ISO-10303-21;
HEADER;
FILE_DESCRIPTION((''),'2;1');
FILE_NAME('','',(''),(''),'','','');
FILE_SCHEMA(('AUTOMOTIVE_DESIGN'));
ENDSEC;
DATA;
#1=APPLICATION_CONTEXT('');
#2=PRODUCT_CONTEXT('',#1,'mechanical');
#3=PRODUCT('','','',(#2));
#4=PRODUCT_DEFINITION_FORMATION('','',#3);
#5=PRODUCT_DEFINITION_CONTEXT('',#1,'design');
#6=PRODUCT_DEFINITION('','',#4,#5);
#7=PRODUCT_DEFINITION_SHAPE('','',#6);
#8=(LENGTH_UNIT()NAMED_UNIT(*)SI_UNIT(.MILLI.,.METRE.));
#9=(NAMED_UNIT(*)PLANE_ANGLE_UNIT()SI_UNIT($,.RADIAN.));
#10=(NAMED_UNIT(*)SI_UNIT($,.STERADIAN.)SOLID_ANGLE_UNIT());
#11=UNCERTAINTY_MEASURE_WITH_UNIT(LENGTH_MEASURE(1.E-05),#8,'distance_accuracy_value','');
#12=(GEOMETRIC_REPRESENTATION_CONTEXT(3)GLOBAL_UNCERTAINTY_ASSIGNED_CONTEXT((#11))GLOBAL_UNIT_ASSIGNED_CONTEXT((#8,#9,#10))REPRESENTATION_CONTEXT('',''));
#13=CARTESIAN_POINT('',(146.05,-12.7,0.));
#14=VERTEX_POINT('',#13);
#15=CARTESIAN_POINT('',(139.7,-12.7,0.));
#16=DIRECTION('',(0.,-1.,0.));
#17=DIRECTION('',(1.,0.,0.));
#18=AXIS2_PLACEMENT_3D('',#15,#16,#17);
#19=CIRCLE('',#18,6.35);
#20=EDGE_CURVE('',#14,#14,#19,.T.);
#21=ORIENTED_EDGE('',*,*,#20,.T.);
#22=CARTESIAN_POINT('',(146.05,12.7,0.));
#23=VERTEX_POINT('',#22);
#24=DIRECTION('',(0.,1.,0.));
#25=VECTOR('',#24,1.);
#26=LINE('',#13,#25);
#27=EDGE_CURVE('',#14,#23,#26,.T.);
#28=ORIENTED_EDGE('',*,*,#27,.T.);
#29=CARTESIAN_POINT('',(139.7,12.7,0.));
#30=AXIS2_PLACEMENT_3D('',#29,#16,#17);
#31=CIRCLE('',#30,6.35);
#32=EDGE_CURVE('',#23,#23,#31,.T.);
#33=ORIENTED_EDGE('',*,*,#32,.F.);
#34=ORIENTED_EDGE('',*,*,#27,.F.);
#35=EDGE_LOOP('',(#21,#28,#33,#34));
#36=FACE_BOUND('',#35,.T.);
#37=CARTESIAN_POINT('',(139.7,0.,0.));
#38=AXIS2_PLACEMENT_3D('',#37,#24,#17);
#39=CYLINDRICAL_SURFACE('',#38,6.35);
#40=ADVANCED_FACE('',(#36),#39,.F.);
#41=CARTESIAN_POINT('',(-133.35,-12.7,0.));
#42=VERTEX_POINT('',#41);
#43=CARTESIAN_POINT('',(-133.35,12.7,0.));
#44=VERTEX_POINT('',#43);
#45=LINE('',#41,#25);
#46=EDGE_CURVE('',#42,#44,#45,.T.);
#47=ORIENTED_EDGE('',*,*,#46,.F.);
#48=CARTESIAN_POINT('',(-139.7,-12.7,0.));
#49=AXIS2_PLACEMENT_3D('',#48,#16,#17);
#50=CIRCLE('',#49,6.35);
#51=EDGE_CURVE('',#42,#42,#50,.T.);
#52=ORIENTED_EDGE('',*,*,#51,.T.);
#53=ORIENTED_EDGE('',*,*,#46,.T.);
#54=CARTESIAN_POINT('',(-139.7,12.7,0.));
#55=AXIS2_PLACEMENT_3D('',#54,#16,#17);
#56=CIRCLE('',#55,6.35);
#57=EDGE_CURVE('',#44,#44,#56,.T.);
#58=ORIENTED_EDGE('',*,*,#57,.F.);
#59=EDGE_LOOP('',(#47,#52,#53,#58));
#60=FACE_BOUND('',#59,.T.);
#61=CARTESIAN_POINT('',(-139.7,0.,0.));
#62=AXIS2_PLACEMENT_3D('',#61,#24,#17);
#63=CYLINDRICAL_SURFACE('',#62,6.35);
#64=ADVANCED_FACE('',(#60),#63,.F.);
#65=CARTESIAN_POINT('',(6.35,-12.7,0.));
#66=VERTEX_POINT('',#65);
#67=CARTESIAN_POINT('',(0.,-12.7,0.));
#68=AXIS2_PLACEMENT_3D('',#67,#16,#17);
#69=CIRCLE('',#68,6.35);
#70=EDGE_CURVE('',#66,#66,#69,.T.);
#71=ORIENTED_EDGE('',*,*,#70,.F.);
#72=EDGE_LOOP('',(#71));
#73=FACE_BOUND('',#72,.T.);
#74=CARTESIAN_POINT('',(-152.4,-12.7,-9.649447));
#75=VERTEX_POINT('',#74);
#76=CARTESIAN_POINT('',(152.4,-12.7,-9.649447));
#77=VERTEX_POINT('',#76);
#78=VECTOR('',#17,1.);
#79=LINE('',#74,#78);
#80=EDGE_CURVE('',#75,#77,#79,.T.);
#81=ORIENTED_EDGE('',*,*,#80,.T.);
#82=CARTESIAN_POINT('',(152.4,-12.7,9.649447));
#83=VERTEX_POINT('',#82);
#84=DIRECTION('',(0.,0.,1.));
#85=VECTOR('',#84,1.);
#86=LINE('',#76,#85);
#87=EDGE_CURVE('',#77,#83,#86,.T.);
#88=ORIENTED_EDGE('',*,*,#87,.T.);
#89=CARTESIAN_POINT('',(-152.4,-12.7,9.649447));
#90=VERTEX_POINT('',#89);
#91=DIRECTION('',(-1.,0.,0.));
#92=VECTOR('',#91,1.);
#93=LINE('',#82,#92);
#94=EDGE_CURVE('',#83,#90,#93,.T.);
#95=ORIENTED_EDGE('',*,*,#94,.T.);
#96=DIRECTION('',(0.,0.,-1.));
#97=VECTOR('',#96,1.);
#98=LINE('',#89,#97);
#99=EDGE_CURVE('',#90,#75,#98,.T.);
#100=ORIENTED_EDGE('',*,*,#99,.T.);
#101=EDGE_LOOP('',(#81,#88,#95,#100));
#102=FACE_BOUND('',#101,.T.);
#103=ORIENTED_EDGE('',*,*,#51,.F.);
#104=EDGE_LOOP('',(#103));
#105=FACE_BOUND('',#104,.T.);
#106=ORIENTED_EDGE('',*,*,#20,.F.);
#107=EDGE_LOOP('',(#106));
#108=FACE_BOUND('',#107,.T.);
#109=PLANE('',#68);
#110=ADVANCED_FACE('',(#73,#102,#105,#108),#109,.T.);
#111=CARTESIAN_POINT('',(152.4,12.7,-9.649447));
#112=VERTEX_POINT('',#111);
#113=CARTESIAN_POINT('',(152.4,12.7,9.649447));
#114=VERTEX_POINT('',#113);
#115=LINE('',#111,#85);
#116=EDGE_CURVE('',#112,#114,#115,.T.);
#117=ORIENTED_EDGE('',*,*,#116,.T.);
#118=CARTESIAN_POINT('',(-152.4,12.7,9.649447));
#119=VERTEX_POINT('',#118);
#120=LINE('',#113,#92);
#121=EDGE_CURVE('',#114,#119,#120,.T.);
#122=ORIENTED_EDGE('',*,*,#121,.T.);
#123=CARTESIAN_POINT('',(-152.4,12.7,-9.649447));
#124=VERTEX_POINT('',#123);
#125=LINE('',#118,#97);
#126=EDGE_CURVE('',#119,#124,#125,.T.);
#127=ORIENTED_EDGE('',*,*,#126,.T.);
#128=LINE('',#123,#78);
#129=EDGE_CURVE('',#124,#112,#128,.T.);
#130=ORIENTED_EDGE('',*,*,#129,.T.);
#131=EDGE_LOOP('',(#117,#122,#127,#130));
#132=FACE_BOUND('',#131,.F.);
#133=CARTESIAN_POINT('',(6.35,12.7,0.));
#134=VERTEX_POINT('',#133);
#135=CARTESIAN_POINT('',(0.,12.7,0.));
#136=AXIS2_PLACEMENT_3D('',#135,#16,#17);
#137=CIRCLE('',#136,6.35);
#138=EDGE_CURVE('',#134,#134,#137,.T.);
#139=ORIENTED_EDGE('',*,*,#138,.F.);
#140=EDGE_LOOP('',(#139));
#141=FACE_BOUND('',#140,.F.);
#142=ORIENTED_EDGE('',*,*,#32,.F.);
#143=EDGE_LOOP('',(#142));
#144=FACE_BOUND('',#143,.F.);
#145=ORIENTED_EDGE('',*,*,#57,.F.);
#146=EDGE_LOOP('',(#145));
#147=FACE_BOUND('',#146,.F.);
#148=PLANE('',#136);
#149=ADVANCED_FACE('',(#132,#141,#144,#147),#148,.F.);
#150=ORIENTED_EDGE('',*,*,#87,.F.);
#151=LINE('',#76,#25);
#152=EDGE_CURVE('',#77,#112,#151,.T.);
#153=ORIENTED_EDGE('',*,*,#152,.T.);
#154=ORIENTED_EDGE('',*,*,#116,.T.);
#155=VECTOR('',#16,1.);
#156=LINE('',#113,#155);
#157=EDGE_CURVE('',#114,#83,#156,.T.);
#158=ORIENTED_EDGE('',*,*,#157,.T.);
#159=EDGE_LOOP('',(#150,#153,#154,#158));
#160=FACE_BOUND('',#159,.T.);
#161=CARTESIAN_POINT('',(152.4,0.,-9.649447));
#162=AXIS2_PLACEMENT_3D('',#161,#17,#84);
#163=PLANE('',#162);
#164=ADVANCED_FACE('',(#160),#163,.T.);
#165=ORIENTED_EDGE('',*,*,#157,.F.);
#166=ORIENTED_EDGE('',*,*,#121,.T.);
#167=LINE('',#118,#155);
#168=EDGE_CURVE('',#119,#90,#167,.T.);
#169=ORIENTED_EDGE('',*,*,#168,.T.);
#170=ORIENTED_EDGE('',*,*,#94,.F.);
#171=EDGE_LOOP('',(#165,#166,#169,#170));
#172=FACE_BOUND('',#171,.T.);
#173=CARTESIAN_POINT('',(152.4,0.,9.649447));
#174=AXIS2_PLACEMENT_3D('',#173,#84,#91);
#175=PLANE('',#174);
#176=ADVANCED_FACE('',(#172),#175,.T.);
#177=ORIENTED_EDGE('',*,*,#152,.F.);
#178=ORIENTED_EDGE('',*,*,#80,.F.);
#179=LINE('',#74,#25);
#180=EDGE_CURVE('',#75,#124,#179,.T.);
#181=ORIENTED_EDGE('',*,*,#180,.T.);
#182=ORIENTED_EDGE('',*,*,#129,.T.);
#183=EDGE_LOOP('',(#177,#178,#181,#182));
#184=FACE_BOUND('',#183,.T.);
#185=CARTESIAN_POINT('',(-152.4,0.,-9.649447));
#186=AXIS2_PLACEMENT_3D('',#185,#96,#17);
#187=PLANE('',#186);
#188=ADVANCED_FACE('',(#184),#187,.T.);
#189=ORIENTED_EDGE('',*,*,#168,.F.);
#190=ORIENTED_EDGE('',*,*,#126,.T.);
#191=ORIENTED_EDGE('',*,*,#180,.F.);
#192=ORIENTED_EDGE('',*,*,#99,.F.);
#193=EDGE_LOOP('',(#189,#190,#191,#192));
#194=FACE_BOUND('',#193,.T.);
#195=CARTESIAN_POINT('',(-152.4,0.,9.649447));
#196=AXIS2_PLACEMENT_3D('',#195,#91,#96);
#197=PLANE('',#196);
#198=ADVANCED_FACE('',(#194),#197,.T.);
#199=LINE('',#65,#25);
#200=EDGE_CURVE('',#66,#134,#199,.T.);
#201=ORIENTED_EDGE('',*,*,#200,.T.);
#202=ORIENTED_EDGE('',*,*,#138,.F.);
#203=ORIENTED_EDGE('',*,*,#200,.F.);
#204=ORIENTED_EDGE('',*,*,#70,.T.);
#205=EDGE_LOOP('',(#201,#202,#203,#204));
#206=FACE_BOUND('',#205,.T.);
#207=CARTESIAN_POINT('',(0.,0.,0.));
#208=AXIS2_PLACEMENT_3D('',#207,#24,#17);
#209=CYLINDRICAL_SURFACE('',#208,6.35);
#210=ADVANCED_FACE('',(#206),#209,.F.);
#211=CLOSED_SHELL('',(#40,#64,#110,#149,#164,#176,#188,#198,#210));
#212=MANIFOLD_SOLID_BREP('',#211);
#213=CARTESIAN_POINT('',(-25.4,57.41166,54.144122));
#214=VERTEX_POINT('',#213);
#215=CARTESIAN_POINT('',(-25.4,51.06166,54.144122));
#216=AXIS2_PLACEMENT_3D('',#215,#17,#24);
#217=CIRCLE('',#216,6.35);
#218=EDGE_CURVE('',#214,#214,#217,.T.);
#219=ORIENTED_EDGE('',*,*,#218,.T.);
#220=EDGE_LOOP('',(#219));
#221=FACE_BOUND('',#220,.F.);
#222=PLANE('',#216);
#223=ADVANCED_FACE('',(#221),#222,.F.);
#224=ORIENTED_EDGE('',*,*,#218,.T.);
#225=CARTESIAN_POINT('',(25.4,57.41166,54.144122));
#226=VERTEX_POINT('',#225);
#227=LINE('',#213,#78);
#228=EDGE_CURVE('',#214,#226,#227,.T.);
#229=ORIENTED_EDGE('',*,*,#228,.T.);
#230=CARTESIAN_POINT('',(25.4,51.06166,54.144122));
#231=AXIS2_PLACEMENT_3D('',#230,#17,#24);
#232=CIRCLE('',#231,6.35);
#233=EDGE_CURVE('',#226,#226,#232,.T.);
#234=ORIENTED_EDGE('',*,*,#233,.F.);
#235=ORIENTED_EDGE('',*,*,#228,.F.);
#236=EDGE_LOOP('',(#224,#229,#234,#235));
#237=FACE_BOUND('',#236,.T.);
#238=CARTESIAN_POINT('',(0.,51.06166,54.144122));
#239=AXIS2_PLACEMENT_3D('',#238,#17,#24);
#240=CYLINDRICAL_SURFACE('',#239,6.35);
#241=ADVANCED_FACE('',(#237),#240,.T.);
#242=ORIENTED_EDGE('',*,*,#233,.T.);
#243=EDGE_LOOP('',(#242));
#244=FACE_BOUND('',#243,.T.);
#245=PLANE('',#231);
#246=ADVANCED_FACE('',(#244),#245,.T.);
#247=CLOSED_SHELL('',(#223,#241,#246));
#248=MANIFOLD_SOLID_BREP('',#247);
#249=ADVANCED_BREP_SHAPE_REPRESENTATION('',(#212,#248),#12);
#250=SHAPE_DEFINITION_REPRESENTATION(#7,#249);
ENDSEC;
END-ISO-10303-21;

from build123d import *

# Parameters (mm, degrees)
F0_R     = 6.35
F1_DEPTH = 12.7
F2_R     = 6.35
F3_DEPTH = 25.4


with BuildPart() as f1:
    # F0 (on Front) → F1 (new body, symmetric)
    with BuildSketch(Plane.XZ):
        Polygon((152.4, -9.649447), (152.4, 9.649447), (0, 9.649447), (-152.4, 9.649447), (-152.4, -9.649447), align=None)
        with Locations((-139.7, 0)):
            Circle(F0_R, mode=Mode.SUBTRACT)
        Circle(F0_R, mode=Mode.SUBTRACT)
        with Locations((139.7, 0)):
            Circle(F0_R, mode=Mode.SUBTRACT)
    extrude(amount=F1_DEPTH, both=True)


with BuildPart() as f3:
    # F2 (on Right) → F3 (new body, symmetric)
    with BuildSketch(Plane.YZ):
        with Locations((51.06166, 54.144122)):
            Circle(F2_R)
    extrude(amount=F3_DEPTH, both=True)


solid = Compound([f1.part, f3.part])
